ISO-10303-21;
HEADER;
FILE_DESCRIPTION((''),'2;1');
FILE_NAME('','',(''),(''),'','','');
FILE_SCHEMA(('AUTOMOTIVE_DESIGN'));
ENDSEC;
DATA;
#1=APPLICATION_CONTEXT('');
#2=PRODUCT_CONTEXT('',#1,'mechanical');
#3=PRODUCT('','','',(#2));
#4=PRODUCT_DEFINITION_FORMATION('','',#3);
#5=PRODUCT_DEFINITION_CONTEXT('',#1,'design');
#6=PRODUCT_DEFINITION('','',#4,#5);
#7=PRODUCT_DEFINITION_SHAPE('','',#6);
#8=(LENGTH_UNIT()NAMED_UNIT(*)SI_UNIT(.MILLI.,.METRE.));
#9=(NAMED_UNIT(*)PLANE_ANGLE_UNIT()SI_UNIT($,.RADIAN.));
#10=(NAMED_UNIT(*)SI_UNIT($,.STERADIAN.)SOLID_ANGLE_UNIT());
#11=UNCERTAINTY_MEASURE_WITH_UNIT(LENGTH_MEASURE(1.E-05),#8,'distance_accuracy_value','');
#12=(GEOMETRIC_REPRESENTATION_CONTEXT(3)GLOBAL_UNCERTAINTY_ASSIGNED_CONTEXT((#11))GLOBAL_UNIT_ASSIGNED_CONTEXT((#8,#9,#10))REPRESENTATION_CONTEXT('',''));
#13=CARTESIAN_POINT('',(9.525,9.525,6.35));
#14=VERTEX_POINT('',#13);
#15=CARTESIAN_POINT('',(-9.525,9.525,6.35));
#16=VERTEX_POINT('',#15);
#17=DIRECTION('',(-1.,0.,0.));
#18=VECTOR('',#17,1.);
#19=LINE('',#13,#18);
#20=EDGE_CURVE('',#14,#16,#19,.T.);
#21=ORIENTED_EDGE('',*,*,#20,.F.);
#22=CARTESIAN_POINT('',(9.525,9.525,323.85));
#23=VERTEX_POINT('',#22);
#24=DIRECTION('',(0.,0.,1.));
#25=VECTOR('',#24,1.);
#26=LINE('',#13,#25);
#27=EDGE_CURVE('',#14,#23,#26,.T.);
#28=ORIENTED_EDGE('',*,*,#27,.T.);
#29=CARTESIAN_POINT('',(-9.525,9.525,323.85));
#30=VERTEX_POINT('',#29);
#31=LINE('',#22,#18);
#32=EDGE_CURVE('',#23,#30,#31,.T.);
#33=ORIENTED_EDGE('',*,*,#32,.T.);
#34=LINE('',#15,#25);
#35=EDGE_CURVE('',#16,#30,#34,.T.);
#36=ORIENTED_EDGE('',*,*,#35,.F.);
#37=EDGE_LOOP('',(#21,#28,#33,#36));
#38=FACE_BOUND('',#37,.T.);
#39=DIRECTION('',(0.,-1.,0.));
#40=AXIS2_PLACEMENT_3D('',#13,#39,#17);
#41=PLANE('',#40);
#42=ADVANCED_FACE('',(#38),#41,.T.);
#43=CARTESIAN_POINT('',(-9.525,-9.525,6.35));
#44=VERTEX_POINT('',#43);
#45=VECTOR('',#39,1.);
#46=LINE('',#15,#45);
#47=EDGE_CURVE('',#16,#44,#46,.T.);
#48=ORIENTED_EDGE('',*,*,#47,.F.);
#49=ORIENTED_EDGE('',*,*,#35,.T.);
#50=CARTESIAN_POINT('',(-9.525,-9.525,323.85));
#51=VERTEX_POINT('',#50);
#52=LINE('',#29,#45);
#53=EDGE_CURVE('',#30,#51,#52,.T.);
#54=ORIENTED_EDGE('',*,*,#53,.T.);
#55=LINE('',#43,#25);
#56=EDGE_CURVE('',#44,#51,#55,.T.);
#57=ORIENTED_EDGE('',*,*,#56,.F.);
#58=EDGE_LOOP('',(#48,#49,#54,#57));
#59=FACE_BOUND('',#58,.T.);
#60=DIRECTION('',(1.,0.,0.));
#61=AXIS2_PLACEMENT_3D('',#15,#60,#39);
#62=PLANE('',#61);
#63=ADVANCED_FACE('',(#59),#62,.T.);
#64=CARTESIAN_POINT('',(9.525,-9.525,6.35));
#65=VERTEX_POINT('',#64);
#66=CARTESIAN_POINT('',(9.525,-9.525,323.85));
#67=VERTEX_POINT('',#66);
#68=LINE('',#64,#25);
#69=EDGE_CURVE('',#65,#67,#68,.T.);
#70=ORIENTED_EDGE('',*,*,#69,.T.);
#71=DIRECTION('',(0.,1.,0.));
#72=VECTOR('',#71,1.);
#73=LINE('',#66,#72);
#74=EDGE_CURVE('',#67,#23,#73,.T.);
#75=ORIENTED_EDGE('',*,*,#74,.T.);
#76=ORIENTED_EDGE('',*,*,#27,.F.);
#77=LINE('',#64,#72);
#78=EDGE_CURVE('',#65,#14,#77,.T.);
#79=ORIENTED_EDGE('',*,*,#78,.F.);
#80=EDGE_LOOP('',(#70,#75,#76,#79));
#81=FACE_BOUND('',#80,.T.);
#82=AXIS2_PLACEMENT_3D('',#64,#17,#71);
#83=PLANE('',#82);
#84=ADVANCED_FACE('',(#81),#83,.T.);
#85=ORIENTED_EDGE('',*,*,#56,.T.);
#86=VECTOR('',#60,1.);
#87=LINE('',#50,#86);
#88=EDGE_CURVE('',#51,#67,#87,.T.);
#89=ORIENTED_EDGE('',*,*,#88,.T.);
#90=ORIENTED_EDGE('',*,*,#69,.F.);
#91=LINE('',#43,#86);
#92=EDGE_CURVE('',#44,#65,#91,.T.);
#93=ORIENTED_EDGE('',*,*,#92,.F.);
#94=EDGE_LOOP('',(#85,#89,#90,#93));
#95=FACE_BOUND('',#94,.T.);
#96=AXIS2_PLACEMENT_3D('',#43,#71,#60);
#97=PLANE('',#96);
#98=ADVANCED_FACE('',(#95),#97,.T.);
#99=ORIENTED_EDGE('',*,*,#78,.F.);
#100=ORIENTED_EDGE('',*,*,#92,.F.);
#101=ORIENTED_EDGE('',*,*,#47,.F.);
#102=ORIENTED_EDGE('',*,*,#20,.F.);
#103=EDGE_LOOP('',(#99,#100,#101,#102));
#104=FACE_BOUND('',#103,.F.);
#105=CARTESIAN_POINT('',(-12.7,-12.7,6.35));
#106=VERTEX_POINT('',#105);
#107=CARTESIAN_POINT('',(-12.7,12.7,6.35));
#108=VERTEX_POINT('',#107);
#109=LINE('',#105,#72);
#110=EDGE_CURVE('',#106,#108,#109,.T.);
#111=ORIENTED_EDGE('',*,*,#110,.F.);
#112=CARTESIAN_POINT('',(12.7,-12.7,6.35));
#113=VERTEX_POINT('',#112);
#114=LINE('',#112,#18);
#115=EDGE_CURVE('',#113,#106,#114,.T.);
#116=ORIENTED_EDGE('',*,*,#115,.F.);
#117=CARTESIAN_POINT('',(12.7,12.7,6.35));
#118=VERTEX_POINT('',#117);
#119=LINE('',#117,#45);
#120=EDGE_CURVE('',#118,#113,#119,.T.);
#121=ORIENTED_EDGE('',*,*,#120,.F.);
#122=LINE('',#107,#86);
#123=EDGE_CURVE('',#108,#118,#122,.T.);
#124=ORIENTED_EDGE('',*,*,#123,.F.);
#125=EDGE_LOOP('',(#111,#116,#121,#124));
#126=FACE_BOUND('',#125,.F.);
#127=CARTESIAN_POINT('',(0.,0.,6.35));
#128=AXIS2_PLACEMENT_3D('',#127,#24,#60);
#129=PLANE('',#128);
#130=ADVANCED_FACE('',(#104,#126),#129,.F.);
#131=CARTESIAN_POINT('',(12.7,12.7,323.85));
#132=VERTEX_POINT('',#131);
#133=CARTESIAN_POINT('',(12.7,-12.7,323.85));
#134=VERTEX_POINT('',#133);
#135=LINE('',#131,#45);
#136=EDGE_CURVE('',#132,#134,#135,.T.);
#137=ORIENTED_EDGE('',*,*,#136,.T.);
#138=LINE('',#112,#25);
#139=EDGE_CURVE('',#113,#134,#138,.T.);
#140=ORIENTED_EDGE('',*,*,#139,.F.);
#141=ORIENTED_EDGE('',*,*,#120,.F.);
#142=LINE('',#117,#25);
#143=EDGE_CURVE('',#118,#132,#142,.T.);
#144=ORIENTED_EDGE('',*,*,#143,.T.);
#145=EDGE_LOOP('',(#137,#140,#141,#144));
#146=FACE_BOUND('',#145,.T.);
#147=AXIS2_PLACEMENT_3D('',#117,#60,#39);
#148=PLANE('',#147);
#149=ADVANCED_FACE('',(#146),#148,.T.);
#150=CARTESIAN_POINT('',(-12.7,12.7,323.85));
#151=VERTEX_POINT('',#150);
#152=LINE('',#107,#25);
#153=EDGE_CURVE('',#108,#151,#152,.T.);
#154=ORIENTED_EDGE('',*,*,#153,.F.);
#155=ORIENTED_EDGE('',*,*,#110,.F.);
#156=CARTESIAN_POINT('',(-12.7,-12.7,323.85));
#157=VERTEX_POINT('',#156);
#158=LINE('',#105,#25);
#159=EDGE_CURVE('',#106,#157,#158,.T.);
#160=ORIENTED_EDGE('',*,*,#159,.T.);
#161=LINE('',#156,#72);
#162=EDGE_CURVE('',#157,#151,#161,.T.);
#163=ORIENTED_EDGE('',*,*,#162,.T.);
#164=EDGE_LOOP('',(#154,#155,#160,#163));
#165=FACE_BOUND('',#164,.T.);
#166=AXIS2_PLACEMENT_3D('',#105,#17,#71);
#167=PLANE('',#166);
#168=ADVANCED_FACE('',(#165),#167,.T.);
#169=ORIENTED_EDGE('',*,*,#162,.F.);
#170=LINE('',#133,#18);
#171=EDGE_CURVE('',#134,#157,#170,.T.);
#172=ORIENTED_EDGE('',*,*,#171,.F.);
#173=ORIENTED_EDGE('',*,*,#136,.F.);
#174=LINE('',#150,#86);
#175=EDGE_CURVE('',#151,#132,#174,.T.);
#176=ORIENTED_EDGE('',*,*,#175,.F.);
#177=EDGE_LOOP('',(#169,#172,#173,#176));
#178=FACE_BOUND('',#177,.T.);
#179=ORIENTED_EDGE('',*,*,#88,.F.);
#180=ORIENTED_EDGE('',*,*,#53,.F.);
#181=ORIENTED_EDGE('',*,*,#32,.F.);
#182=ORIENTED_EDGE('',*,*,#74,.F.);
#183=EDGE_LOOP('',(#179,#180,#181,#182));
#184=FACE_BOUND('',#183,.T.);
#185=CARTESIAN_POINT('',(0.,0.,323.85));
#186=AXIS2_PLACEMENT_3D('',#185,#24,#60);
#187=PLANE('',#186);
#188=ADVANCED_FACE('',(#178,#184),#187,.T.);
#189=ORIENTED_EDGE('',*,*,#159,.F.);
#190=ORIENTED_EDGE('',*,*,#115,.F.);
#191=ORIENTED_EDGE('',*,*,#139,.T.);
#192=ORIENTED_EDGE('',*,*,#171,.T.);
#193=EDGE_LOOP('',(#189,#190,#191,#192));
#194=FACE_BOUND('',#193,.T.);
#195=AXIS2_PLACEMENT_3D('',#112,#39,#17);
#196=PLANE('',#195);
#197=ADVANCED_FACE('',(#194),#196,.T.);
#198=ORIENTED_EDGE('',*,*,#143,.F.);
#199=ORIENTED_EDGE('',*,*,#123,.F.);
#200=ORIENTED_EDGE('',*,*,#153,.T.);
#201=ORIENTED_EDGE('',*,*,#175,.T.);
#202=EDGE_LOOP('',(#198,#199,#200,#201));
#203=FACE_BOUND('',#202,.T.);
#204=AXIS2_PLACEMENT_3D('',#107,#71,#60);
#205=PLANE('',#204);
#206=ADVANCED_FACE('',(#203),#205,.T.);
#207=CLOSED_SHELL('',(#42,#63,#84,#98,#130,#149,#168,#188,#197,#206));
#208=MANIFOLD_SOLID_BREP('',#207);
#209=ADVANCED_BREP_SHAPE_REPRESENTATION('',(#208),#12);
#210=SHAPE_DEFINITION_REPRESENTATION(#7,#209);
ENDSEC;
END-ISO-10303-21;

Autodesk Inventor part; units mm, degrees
ref_plane "Start Plane" through (0, 0, 6.35) normal (0, 0, 1) x (1, 0, 0)
ref_plane "End Plane" through (0, 0, 323.85) normal (0, 0, 1) x (1, 0, 0)
sketch "Sketch" plane through (0, 0, 0) normal (0, 0, 1) x (1, 0, 0)
  line L0 (-12.7, 12.7) -> (12.7, 12.7)
  line L1 (12.7, 12.7) -> (12.7, -12.7)
  line L2 (12.7, -12.7) -> (-12.7, -12.7)
  line L3 (-12.7, -12.7) -> (-12.7, 12.7)
  line L4 (9.525, 9.525) -> (-9.525, 9.525)
  line L5 (-9.525, 9.525) -> (-9.525, -9.525)
  line L6 (-9.525, -9.525) -> (9.525, -9.525)
  line L7 (9.525, -9.525) -> (9.525, 9.525)
  point P0 (0, 0)
  point P1 (0, 12.7)
  point P2 (-12.7, 0)
  dimension "width" = 25.4
  dimension "d1" = 3.175
extrude "Body" add sketch "Sketch" along normal up to surface (317.5 mm away) from surface at 6.35
sketch "Sketch4" plane through (0, 0, 0) normal (0, 0, 1) x (1, 0, 0)
  line L0 (0, 0) -> (10, 0)
ref_plane "Work Plane4" through (0, 0, 0) normal (0, -1, 0) x (1, 0, 0)
sketch "Sketch5" plane through (0, 0, 0) normal (0, -1, 0) x (1, 0, 0)
  line L0 (-2, 6.35) -> (12, 6.35)
  line L1 (-2, 323.85) -> (12, 323.85)
  dimension "d9" = 317.5
ref_plane "Work Plane5" through (-723.9, -555.6504, 6.35) normal (0, 0, -1) x (-1, 0, 0)
split "Split1" plane through (-723.9, -555.6504, 6.35) removes the side toward (0, 0, -1)
ref_plane "Work Plane6" through (-31.75, 631.7996, 323.85) normal (0, 0, 1) x (1, 0, 0)
split "Split2" plane through (-31.75, 631.7996, 323.85) removes the side toward (0, 0, 1)
equation "\"G_OFFSET_START\" = -6.35"
equation "\"G_OFFSET_END\" = 19.05"
equation "\"d4\" = -G_OFFSET_START"
equation "\"d5\" = length + G_OFFSET_END"
equation "\"G_L\" = 304.8"
equation "\"length\" = 304.8"
properties part number "Square Tube Profile"
